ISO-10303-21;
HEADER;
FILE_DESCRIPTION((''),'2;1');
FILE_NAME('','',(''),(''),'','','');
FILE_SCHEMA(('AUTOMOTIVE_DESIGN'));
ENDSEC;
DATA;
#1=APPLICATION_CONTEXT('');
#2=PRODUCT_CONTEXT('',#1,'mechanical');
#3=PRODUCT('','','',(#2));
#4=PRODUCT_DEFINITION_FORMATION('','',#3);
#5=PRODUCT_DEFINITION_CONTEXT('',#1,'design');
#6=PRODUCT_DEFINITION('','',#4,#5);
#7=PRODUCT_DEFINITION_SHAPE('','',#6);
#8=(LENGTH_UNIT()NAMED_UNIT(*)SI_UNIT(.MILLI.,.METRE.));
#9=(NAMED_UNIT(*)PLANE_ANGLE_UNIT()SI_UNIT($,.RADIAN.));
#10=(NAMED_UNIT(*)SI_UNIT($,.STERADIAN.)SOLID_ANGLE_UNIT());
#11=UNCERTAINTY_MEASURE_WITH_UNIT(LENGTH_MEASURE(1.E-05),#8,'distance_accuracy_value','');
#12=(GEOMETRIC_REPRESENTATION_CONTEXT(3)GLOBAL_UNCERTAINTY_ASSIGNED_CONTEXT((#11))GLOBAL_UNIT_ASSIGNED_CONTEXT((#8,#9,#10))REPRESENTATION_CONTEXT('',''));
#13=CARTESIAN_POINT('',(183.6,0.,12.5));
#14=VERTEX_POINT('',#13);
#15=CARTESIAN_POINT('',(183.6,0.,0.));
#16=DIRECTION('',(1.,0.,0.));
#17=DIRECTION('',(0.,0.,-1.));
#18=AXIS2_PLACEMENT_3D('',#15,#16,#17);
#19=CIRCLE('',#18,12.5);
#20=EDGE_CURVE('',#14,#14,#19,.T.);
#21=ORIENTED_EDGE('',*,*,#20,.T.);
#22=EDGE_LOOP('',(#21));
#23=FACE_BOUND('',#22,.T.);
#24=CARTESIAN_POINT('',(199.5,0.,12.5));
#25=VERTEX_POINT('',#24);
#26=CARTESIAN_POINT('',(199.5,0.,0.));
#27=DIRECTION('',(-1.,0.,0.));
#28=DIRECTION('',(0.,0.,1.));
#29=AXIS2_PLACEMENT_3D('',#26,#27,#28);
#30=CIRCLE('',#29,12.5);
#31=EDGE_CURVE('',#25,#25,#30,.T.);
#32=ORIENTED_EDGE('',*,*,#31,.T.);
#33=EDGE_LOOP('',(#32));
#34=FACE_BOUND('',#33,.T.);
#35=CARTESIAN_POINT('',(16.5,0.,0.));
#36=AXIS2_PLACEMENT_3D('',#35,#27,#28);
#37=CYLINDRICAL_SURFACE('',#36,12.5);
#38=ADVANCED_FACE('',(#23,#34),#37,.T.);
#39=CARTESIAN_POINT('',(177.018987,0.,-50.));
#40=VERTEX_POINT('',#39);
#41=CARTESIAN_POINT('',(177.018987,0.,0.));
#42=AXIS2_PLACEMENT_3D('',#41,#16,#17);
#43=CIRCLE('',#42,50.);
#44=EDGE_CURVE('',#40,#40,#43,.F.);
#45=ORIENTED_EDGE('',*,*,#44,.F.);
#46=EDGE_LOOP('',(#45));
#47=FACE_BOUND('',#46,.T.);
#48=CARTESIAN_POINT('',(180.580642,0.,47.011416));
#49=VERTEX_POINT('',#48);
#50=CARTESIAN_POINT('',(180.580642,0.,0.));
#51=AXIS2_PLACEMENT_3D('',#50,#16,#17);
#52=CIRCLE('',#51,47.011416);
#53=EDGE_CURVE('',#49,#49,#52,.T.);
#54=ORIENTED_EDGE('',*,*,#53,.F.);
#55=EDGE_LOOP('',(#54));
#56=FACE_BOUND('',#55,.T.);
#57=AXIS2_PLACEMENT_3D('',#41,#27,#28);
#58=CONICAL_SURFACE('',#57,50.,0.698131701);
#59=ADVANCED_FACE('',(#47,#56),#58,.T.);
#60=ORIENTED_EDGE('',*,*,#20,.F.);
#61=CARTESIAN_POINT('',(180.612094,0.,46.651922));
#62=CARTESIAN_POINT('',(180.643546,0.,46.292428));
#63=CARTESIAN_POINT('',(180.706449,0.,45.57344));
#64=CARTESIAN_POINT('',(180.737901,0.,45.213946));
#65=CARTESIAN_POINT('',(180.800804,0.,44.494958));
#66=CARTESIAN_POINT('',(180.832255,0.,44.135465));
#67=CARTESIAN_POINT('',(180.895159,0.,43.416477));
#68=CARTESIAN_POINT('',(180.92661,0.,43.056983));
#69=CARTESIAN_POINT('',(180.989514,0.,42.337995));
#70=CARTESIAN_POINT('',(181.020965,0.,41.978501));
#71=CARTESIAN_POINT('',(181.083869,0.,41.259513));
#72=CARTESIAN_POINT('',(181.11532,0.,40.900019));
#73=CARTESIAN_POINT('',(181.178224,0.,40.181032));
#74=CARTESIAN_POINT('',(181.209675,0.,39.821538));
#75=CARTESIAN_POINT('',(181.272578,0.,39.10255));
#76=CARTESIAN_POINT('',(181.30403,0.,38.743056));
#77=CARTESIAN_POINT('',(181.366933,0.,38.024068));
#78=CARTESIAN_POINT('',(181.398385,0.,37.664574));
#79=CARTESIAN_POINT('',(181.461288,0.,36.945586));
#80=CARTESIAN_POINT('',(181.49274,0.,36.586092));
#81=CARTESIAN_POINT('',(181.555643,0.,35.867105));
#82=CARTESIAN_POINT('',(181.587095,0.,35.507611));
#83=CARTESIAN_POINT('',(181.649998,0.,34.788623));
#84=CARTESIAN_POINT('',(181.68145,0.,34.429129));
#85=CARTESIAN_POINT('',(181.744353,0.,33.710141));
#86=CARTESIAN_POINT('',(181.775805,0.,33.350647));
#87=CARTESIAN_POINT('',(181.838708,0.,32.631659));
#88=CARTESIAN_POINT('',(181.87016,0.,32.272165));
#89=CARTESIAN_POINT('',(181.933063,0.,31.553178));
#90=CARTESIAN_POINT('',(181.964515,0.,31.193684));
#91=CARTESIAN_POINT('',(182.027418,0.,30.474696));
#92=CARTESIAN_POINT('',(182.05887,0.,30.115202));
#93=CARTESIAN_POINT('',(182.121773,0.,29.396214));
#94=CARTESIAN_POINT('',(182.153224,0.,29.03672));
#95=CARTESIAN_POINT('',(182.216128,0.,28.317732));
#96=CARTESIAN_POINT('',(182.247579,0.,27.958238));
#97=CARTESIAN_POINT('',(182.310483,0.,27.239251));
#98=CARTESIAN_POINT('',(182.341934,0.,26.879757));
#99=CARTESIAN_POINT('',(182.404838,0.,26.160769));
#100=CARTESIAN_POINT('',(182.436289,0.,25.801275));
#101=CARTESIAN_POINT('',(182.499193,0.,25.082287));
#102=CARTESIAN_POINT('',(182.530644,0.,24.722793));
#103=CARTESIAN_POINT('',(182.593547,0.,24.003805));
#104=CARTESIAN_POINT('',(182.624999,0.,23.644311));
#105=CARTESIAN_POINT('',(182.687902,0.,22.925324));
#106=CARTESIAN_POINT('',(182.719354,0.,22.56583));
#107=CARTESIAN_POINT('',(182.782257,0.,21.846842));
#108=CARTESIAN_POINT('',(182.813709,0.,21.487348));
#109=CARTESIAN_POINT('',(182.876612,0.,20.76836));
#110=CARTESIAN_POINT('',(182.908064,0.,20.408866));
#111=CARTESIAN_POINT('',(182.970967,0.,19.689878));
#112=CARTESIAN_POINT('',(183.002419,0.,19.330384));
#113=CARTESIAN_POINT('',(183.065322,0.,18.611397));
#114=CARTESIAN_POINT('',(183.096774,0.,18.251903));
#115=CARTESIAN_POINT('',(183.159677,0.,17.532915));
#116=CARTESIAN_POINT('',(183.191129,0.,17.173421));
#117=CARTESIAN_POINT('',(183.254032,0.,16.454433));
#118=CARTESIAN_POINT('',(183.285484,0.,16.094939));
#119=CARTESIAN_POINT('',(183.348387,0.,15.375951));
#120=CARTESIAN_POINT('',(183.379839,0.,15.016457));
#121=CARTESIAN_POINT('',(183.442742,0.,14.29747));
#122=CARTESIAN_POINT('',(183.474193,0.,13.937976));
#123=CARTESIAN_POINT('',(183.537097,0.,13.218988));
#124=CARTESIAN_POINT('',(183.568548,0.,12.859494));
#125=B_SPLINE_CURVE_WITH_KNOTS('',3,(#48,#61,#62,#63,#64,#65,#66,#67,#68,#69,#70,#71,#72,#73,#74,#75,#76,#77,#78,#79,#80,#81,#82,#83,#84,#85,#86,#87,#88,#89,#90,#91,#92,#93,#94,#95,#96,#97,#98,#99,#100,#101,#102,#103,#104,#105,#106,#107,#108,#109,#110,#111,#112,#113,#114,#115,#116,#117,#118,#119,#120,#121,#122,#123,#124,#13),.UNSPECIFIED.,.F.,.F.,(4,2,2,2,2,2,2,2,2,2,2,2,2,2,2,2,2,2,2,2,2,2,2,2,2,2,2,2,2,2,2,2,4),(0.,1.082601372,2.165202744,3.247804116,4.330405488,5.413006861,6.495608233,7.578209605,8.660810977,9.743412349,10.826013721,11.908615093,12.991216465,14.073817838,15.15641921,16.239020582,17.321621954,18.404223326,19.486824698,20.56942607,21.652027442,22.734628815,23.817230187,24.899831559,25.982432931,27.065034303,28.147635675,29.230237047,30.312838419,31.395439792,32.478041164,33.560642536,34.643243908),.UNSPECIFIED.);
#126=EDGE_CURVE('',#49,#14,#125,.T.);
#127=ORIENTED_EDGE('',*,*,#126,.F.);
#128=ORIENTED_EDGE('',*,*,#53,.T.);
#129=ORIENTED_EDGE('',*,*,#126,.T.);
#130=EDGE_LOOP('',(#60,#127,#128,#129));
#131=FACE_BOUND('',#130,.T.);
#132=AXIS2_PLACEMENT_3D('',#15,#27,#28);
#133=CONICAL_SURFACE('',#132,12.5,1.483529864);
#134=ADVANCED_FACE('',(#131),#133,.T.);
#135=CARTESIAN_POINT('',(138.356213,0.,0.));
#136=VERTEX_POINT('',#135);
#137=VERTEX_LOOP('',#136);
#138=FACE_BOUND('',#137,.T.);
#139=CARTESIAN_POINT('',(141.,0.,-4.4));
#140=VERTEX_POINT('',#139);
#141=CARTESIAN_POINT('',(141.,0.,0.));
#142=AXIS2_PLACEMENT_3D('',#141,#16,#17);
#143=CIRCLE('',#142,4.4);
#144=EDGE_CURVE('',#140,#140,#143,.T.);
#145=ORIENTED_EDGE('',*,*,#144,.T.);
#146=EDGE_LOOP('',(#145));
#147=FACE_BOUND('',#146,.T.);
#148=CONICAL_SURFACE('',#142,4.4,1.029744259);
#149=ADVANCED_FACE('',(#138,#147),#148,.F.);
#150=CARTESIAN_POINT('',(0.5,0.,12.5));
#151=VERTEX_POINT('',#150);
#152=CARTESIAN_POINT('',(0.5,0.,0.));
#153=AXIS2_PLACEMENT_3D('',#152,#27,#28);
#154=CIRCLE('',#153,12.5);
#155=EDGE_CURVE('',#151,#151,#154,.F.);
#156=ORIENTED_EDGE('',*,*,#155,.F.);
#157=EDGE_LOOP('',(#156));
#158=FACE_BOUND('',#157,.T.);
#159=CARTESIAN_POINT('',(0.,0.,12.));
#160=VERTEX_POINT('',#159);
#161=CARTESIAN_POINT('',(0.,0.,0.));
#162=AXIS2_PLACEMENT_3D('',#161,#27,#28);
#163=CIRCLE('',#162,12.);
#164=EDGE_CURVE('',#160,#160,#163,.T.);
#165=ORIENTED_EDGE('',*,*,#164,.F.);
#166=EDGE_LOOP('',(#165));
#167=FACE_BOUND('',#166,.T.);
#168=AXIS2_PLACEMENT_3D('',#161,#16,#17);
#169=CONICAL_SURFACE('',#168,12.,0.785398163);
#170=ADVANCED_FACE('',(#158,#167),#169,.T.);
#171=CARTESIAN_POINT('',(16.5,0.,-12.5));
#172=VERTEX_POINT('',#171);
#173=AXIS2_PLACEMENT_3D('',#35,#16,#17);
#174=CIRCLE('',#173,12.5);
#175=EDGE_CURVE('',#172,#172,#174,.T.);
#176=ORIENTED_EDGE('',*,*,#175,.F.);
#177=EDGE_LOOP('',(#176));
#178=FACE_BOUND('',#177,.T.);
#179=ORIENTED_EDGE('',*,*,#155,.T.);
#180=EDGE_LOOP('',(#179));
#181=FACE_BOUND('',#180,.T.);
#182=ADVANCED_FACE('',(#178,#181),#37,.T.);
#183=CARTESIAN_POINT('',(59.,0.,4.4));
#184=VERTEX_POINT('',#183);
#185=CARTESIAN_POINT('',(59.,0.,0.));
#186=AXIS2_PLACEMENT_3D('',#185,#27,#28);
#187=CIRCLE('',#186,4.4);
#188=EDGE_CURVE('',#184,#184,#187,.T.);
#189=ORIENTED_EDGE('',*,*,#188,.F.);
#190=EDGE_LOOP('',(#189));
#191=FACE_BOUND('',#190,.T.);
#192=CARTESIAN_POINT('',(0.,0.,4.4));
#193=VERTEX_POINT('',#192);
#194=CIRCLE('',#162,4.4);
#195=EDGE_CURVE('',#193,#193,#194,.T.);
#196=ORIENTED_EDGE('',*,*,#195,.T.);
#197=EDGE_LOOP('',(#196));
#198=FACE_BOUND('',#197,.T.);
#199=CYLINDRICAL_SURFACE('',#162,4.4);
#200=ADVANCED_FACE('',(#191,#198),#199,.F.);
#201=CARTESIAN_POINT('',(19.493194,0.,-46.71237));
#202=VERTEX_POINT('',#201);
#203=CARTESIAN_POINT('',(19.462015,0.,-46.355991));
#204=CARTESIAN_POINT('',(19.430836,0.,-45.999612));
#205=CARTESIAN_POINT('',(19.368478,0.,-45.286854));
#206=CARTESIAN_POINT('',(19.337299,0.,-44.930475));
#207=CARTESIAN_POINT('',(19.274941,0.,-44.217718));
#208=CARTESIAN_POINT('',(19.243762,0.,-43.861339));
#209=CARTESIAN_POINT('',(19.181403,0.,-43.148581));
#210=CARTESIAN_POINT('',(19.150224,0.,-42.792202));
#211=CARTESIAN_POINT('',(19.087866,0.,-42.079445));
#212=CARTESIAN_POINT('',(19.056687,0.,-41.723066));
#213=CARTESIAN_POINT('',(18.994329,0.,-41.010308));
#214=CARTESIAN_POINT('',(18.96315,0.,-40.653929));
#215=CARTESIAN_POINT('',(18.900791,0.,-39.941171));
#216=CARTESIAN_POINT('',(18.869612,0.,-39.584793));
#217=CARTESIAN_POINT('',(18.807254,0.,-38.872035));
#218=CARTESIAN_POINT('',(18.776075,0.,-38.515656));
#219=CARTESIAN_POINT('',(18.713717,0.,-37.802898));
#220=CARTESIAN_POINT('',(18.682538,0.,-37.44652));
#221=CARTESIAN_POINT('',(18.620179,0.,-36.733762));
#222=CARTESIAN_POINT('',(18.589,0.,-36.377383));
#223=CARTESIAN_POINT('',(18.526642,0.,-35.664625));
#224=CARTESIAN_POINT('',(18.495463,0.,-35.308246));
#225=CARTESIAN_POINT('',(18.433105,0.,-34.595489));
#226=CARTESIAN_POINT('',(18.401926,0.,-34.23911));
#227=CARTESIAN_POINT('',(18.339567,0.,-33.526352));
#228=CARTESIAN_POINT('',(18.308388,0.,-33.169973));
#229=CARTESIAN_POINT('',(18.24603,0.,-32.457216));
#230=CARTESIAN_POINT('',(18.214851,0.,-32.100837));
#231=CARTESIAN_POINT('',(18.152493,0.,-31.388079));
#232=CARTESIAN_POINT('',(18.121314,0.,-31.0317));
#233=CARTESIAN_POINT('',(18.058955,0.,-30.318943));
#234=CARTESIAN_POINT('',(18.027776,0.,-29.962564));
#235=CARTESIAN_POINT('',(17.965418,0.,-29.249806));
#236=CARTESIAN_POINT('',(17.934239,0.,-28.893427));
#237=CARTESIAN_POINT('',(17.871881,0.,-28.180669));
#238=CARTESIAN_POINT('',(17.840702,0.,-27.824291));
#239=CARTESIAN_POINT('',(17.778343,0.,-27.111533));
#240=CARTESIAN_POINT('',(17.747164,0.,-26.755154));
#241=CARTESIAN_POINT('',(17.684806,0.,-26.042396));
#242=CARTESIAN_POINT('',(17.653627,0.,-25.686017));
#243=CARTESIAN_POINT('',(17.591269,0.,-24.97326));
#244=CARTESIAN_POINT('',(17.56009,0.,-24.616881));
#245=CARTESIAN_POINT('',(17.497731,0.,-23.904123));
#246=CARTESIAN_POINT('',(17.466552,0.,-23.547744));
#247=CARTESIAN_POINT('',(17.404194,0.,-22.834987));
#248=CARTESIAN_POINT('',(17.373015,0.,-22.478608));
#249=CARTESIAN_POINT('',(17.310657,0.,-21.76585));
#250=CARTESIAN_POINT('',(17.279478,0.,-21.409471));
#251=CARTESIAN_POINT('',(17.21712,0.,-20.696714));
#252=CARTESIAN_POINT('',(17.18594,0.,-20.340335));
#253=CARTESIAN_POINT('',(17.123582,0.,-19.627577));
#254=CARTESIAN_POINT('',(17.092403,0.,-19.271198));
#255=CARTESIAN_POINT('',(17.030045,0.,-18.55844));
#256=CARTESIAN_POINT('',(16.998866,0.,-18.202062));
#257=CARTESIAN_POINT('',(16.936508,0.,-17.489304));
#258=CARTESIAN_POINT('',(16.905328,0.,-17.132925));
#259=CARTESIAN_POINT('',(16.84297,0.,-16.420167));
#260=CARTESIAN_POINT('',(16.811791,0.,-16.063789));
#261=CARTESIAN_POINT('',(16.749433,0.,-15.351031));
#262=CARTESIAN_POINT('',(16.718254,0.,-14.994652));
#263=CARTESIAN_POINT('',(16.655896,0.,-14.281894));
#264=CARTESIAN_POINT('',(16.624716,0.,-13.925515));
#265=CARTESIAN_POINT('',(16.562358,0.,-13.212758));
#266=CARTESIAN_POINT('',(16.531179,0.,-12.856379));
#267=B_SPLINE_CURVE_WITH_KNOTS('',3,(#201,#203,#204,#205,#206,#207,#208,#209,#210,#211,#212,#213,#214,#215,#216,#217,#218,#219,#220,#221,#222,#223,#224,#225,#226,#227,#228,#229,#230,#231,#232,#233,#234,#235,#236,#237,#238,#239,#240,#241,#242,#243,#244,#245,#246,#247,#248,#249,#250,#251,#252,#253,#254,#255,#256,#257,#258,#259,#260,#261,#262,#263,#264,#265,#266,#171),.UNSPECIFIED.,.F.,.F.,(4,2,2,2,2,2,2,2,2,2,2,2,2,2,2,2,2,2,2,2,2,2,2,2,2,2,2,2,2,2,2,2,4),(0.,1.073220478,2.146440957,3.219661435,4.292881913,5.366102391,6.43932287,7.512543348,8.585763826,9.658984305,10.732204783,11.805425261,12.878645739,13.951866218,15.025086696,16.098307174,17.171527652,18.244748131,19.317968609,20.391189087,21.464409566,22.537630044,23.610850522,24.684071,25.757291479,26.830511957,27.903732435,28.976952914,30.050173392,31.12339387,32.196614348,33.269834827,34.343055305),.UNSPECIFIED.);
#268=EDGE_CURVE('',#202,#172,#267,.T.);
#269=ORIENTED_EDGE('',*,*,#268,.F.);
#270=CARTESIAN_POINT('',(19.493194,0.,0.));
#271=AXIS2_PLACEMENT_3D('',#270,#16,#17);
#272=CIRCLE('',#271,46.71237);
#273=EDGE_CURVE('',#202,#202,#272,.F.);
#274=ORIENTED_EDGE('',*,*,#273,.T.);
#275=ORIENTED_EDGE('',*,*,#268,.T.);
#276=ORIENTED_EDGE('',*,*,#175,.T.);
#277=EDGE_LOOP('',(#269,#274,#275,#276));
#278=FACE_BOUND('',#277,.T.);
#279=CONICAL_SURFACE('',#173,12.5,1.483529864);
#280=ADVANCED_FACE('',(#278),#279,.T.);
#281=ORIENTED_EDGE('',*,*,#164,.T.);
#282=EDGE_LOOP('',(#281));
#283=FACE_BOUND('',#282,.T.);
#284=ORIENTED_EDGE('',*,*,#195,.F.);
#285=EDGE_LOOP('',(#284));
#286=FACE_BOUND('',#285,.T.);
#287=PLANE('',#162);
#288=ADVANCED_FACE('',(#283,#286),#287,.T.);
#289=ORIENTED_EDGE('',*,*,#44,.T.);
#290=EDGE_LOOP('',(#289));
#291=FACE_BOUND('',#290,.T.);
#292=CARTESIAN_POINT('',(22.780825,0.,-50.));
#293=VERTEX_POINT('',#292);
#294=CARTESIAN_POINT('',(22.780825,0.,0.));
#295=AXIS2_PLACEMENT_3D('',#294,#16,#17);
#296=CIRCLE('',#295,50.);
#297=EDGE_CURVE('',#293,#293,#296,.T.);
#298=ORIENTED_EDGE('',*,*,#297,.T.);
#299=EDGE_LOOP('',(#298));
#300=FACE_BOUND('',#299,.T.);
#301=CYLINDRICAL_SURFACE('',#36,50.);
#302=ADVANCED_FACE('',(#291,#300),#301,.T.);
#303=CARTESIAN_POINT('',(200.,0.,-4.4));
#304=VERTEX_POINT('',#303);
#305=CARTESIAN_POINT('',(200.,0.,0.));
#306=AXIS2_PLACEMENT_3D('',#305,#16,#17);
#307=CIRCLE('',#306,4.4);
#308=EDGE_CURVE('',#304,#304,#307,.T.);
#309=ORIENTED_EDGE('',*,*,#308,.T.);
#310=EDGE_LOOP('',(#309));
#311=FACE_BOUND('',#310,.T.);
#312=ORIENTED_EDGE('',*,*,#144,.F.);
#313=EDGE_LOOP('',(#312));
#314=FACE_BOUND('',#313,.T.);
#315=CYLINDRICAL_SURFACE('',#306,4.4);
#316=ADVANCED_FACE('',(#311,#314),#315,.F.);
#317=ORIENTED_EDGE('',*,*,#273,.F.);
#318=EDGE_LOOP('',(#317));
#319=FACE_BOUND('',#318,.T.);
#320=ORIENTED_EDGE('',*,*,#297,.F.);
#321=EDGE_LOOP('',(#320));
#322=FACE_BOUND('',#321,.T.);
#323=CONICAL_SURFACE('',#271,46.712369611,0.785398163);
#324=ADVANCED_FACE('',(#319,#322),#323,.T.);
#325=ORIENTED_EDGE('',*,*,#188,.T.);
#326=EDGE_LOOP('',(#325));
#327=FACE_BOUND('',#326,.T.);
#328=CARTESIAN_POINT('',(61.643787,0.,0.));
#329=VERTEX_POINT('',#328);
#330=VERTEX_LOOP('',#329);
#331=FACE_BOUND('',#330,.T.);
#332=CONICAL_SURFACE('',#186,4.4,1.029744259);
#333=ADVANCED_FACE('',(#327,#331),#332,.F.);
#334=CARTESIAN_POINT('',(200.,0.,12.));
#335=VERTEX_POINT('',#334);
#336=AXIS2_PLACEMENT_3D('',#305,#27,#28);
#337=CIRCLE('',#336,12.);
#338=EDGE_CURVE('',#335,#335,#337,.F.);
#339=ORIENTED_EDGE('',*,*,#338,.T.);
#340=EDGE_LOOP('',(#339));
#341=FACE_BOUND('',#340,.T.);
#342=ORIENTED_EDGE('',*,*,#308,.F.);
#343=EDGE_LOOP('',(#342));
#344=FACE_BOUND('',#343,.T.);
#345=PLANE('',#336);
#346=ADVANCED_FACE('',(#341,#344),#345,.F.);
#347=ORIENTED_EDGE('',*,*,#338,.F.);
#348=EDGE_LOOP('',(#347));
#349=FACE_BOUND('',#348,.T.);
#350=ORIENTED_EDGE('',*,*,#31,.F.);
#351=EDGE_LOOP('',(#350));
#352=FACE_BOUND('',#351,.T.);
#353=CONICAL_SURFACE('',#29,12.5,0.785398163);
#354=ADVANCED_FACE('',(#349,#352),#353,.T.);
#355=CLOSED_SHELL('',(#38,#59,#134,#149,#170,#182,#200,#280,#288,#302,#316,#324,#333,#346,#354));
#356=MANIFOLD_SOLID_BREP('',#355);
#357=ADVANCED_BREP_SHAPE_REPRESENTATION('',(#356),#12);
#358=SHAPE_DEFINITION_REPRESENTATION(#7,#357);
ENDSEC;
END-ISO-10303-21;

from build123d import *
from OCP.BRepFilletAPI import BRepFilletAPI_MakeChamfer

# Parameters (mm, degrees)
SKETCH_1_W       = 16.4
SKETCH_1_H       = 12.5
SKETCH_1_W_2     = 16.5
CHAMFER_1_SIZE   = 0.5
CHAMFER_2_SIZE   = 3
CHAMFER_2_SIZE2  = 3.300188603
M10X1_25_1_D     = 8.8
M10X1_25_1_DEPTH = 59
M10X1_25_1_TIP   = 2.643786724
M10X1_25_2_D     = 8.8
M10X1_25_2_DEPTH = 59
M10X1_25_2_TIP   = 2.643786724


with BuildPart() as part:
    # 草圖1 → 旋轉1 (revolve)
    with BuildSketch(Plane.XY, mode=Mode.PRIVATE) as revolve_1_sk:
        Polygon((16.5, 12.5), (16.5, 0), (183.6, 0), (183.6, 12.5), (183.6, 50), (16.5, 50), align=None)
        with Locations((191.8, 6.25)):
            Rectangle(SKETCH_1_W, SKETCH_1_H)
        with Locations((8.25, 6.25)):
            Rectangle(SKETCH_1_W_2, SKETCH_1_H)
    revolve(revolve_1_sk.sketch.rotate(Axis((16.5, 0, 0), (1, 0, 0)), 90), axis=Axis((16.5, 0, 0), (1, 0, 0)))

    # 草圖2 → 除料-旋轉1 (revolve, cut)
    with BuildSketch(Plane.XY, mode=Mode.PRIVATE) as cut_revolve_1_sk:
        Polygon((186.873055919, 74.843370729), (1.025224849, 63.173855755), (0, 12.5), (16.5, 12.5), (20.558049953, 58.883723216), (178.981866404, 65.285508546), (183.6, 12.5), (200, 12.5), align=None)
    revolve(cut_revolve_1_sk.sketch.rotate(Axis((0, 0, 0), (-1, 0, 0)), 270), axis=Axis((0, 0, 0), (-1, 0, 0)), mode=Mode.SUBTRACT)

    # 導角1
    chamfer_1_edges = [part.edges().sort_by_distance(p)[0] for p in [
        (200, 0, -12.5),
        (0, 0, -12.5),
    ]]
    chamfer(chamfer_1_edges, length=CHAMFER_1_SIZE)

    # 導角2: one chamfer whose edges measure the first distance from different faces: ONE call of the kernel's chamfer builder (chamfer() names one face for all edges)
    chamfer_2_edges_1 = [part.edges().sort_by_distance(p)[0] for p in [
        (19.780824882, 0, -50),
    ]]
    chamfer_2_side_1 = [part.faces().sort_by_distance(p)[0] for p in [
        (100.05, 0, -50),
    ]]
    chamfer_2_edges_2 = [part.edges().sort_by_distance(p)[0] for p in [
        (180.319175118, 0, -50),
    ]]
    chamfer_2_side_2 = [part.faces().sort_by_distance(p)[0] for p in [
        (181.959587559, 0, -31.25),
    ]]
    chamfer_2 = BRepFilletAPI_MakeChamfer(part.part.solid().wrapped)
    for e in chamfer_2_edges_1:
        chamfer_2.Add(CHAMFER_2_SIZE, CHAMFER_2_SIZE2, e.wrapped, chamfer_2_side_1[0].wrapped)  # the first distance lies on this face
    for e in chamfer_2_edges_2:
        chamfer_2.Add(CHAMFER_2_SIZE, CHAMFER_2_SIZE2, e.wrapped, chamfer_2_side_2[0].wrapped)  # the first distance lies on this face
    add(Compound.cast(chamfer_2.Shape()), mode=Mode.REPLACE)

    # M10x1.25 螺紋孔1
    with Locations(Plane(origin=(200, 0, 0), x_dir=(0, 0, 1), z_dir=(1, 0, 0))):
        with Locations((0, 0)):
            Hole(M10X1_25_1_D / 2, depth=M10X1_25_1_DEPTH)
            with Locations((0, 0, -(M10X1_25_1_DEPTH + M10X1_25_1_TIP / 2))):  # 118° drill point
                Cone(0, M10X1_25_1_D / 2, M10X1_25_1_TIP, mode=Mode.SUBTRACT)

    # M10x1.25 螺紋孔2
    with Locations(Plane.ZY):
        with Locations((0, 0)):
            Hole(M10X1_25_2_D / 2, depth=M10X1_25_2_DEPTH)
            with Locations((0, 0, -(M10X1_25_2_DEPTH + M10X1_25_2_TIP / 2))):  # 118° drill point
                Cone(0, M10X1_25_2_D / 2, M10X1_25_2_TIP, mode=Mode.SUBTRACT)


solid = part.part
